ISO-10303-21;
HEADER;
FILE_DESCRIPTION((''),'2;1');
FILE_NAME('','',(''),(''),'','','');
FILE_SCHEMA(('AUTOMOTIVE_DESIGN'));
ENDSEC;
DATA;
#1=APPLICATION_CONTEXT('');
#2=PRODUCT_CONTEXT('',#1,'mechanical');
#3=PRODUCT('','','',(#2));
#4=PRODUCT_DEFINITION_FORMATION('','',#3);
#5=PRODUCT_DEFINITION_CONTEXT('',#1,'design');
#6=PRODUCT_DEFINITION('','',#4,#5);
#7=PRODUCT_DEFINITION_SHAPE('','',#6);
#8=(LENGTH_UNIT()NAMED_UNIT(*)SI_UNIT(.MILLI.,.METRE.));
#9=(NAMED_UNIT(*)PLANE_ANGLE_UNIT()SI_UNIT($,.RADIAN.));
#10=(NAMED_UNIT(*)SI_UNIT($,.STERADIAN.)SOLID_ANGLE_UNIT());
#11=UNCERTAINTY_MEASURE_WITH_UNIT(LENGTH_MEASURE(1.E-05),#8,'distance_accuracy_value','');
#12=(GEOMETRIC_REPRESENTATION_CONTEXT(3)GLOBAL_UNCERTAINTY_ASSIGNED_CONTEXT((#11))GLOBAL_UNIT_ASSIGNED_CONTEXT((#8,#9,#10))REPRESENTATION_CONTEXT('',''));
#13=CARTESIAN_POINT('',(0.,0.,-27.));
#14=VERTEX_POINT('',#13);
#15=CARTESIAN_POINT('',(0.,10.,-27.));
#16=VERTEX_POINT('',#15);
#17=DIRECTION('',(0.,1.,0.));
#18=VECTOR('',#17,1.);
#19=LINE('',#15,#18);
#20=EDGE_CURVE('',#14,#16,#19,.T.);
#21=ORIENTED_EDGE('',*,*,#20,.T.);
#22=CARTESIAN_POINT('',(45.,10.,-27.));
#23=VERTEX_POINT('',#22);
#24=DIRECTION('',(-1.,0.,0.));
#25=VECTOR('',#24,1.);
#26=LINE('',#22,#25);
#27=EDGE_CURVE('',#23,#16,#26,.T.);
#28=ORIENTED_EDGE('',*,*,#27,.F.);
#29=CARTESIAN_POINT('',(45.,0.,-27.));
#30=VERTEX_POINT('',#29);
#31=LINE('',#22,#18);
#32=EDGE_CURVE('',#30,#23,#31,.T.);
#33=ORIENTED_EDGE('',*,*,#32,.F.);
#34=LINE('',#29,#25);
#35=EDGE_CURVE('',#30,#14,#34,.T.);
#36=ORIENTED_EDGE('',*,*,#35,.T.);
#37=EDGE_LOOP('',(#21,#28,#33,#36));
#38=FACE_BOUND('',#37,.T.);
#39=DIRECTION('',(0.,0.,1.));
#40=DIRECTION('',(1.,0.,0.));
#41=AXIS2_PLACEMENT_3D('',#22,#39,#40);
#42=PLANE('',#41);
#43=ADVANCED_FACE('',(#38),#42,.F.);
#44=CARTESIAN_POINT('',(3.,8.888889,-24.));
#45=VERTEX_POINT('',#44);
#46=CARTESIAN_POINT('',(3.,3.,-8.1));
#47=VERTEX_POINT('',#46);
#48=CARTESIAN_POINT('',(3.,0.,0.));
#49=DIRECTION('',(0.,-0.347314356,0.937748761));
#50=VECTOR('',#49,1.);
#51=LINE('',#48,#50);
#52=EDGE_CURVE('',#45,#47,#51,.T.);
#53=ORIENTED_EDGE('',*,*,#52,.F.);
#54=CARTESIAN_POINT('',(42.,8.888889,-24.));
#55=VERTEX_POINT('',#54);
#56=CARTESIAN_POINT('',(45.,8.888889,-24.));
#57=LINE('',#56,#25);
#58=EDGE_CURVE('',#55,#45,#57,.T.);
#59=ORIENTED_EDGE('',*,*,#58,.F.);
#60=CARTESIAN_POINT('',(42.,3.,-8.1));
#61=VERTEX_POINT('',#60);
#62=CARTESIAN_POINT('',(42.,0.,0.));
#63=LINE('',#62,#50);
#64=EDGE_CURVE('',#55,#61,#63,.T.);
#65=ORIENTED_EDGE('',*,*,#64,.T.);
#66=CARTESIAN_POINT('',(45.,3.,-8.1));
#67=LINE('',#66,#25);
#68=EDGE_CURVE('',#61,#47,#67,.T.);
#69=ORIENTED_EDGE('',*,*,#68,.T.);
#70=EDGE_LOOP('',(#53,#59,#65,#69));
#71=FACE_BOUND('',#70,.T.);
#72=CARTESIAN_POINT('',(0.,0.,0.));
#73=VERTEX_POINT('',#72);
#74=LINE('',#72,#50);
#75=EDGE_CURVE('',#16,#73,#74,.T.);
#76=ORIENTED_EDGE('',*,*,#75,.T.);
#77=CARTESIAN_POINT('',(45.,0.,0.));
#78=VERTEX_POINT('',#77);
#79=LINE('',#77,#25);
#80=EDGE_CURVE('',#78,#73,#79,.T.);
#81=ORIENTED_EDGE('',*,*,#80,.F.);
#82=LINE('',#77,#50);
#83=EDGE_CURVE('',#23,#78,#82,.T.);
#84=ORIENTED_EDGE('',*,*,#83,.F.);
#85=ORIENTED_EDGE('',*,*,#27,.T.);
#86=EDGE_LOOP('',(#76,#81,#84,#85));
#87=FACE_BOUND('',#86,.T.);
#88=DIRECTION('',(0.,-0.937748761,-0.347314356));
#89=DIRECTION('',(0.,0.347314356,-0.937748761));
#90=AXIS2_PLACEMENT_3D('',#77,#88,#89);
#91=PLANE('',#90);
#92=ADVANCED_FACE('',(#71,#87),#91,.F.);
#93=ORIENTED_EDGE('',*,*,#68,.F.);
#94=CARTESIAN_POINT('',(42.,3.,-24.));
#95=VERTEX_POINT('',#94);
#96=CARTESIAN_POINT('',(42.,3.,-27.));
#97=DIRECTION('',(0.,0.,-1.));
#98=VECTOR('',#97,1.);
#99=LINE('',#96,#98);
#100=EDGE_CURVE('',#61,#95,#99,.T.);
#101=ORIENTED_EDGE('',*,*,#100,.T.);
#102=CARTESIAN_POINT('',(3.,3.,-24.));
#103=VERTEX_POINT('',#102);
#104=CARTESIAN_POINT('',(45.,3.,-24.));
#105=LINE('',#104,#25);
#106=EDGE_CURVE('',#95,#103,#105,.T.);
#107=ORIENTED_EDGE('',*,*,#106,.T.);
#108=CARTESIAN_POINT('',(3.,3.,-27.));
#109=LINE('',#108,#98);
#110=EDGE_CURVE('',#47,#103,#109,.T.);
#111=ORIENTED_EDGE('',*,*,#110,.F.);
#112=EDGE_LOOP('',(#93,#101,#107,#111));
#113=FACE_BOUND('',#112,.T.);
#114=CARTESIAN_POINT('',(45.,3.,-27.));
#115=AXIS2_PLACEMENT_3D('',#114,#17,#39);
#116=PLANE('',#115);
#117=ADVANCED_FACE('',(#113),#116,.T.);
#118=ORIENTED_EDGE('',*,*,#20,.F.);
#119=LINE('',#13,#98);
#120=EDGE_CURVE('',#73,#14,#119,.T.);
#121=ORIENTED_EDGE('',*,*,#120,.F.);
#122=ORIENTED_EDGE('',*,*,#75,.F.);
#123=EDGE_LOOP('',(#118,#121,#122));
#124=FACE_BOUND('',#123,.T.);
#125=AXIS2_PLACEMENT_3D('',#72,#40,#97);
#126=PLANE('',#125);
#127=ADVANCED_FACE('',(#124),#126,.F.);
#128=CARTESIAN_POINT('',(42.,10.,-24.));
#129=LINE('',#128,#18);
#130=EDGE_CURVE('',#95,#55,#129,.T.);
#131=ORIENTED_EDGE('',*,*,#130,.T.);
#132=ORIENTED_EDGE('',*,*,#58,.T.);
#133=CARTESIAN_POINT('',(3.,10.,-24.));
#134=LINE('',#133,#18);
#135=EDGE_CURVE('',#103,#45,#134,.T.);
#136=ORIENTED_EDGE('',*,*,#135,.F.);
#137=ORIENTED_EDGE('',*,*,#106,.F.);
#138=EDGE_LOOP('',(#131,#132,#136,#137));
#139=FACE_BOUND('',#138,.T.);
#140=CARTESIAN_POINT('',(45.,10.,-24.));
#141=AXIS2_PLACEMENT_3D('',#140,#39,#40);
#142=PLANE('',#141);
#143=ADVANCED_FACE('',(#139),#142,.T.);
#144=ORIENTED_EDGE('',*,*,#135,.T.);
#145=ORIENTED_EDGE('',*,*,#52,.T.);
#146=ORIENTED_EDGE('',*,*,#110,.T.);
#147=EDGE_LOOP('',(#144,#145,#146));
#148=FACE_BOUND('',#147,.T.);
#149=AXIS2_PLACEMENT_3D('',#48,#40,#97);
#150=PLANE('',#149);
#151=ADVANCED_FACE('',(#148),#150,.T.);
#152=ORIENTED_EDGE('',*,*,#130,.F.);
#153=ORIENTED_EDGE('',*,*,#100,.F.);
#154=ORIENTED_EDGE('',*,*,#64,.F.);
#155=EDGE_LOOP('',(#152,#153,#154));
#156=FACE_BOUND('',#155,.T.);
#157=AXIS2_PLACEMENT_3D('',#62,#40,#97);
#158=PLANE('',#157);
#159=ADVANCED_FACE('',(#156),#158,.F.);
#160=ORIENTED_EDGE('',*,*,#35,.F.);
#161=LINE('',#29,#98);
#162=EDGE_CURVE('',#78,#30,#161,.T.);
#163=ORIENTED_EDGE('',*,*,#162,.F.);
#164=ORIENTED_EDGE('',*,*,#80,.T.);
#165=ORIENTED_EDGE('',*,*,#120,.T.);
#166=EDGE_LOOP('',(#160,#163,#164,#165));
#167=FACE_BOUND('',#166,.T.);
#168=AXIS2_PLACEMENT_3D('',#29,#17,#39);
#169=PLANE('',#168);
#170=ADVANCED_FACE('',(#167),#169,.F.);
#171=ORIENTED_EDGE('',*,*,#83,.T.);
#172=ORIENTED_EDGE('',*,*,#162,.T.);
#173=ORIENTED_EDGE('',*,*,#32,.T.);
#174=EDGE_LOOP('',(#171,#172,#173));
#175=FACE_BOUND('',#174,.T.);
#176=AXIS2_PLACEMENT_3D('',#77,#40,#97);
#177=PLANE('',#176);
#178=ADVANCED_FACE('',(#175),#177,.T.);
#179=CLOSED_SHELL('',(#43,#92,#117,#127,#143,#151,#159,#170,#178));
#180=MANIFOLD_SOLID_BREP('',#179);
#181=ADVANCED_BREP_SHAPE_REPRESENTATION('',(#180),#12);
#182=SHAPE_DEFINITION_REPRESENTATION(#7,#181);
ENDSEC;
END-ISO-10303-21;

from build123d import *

# Parameters (mm, degrees)
SALIENTE_EXTRUIR1_DEPTH = 45
VACIADO1_T              = -3


with BuildPart() as part:
    # Croquis1 → Saliente-Extruir1 (new body)
    with BuildSketch(Plane(origin=(0, 0, 0), x_dir=(0, 0, -1), z_dir=(1, 0, 0))):
        Polygon((0, 0), (27, 10), (27, 0), align=None)
    extrude(amount=SALIENTE_EXTRUIR1_DEPTH)

    # Vaciado1
    vaciado1_openings = [part.faces().sort_by_distance(p)[0] for p in [
        (22.5, 5, -13.5),
    ]]
    offset(amount=VACIADO1_T, openings=vaciado1_openings, kind=Kind.INTERSECTION)


solid = part.part
